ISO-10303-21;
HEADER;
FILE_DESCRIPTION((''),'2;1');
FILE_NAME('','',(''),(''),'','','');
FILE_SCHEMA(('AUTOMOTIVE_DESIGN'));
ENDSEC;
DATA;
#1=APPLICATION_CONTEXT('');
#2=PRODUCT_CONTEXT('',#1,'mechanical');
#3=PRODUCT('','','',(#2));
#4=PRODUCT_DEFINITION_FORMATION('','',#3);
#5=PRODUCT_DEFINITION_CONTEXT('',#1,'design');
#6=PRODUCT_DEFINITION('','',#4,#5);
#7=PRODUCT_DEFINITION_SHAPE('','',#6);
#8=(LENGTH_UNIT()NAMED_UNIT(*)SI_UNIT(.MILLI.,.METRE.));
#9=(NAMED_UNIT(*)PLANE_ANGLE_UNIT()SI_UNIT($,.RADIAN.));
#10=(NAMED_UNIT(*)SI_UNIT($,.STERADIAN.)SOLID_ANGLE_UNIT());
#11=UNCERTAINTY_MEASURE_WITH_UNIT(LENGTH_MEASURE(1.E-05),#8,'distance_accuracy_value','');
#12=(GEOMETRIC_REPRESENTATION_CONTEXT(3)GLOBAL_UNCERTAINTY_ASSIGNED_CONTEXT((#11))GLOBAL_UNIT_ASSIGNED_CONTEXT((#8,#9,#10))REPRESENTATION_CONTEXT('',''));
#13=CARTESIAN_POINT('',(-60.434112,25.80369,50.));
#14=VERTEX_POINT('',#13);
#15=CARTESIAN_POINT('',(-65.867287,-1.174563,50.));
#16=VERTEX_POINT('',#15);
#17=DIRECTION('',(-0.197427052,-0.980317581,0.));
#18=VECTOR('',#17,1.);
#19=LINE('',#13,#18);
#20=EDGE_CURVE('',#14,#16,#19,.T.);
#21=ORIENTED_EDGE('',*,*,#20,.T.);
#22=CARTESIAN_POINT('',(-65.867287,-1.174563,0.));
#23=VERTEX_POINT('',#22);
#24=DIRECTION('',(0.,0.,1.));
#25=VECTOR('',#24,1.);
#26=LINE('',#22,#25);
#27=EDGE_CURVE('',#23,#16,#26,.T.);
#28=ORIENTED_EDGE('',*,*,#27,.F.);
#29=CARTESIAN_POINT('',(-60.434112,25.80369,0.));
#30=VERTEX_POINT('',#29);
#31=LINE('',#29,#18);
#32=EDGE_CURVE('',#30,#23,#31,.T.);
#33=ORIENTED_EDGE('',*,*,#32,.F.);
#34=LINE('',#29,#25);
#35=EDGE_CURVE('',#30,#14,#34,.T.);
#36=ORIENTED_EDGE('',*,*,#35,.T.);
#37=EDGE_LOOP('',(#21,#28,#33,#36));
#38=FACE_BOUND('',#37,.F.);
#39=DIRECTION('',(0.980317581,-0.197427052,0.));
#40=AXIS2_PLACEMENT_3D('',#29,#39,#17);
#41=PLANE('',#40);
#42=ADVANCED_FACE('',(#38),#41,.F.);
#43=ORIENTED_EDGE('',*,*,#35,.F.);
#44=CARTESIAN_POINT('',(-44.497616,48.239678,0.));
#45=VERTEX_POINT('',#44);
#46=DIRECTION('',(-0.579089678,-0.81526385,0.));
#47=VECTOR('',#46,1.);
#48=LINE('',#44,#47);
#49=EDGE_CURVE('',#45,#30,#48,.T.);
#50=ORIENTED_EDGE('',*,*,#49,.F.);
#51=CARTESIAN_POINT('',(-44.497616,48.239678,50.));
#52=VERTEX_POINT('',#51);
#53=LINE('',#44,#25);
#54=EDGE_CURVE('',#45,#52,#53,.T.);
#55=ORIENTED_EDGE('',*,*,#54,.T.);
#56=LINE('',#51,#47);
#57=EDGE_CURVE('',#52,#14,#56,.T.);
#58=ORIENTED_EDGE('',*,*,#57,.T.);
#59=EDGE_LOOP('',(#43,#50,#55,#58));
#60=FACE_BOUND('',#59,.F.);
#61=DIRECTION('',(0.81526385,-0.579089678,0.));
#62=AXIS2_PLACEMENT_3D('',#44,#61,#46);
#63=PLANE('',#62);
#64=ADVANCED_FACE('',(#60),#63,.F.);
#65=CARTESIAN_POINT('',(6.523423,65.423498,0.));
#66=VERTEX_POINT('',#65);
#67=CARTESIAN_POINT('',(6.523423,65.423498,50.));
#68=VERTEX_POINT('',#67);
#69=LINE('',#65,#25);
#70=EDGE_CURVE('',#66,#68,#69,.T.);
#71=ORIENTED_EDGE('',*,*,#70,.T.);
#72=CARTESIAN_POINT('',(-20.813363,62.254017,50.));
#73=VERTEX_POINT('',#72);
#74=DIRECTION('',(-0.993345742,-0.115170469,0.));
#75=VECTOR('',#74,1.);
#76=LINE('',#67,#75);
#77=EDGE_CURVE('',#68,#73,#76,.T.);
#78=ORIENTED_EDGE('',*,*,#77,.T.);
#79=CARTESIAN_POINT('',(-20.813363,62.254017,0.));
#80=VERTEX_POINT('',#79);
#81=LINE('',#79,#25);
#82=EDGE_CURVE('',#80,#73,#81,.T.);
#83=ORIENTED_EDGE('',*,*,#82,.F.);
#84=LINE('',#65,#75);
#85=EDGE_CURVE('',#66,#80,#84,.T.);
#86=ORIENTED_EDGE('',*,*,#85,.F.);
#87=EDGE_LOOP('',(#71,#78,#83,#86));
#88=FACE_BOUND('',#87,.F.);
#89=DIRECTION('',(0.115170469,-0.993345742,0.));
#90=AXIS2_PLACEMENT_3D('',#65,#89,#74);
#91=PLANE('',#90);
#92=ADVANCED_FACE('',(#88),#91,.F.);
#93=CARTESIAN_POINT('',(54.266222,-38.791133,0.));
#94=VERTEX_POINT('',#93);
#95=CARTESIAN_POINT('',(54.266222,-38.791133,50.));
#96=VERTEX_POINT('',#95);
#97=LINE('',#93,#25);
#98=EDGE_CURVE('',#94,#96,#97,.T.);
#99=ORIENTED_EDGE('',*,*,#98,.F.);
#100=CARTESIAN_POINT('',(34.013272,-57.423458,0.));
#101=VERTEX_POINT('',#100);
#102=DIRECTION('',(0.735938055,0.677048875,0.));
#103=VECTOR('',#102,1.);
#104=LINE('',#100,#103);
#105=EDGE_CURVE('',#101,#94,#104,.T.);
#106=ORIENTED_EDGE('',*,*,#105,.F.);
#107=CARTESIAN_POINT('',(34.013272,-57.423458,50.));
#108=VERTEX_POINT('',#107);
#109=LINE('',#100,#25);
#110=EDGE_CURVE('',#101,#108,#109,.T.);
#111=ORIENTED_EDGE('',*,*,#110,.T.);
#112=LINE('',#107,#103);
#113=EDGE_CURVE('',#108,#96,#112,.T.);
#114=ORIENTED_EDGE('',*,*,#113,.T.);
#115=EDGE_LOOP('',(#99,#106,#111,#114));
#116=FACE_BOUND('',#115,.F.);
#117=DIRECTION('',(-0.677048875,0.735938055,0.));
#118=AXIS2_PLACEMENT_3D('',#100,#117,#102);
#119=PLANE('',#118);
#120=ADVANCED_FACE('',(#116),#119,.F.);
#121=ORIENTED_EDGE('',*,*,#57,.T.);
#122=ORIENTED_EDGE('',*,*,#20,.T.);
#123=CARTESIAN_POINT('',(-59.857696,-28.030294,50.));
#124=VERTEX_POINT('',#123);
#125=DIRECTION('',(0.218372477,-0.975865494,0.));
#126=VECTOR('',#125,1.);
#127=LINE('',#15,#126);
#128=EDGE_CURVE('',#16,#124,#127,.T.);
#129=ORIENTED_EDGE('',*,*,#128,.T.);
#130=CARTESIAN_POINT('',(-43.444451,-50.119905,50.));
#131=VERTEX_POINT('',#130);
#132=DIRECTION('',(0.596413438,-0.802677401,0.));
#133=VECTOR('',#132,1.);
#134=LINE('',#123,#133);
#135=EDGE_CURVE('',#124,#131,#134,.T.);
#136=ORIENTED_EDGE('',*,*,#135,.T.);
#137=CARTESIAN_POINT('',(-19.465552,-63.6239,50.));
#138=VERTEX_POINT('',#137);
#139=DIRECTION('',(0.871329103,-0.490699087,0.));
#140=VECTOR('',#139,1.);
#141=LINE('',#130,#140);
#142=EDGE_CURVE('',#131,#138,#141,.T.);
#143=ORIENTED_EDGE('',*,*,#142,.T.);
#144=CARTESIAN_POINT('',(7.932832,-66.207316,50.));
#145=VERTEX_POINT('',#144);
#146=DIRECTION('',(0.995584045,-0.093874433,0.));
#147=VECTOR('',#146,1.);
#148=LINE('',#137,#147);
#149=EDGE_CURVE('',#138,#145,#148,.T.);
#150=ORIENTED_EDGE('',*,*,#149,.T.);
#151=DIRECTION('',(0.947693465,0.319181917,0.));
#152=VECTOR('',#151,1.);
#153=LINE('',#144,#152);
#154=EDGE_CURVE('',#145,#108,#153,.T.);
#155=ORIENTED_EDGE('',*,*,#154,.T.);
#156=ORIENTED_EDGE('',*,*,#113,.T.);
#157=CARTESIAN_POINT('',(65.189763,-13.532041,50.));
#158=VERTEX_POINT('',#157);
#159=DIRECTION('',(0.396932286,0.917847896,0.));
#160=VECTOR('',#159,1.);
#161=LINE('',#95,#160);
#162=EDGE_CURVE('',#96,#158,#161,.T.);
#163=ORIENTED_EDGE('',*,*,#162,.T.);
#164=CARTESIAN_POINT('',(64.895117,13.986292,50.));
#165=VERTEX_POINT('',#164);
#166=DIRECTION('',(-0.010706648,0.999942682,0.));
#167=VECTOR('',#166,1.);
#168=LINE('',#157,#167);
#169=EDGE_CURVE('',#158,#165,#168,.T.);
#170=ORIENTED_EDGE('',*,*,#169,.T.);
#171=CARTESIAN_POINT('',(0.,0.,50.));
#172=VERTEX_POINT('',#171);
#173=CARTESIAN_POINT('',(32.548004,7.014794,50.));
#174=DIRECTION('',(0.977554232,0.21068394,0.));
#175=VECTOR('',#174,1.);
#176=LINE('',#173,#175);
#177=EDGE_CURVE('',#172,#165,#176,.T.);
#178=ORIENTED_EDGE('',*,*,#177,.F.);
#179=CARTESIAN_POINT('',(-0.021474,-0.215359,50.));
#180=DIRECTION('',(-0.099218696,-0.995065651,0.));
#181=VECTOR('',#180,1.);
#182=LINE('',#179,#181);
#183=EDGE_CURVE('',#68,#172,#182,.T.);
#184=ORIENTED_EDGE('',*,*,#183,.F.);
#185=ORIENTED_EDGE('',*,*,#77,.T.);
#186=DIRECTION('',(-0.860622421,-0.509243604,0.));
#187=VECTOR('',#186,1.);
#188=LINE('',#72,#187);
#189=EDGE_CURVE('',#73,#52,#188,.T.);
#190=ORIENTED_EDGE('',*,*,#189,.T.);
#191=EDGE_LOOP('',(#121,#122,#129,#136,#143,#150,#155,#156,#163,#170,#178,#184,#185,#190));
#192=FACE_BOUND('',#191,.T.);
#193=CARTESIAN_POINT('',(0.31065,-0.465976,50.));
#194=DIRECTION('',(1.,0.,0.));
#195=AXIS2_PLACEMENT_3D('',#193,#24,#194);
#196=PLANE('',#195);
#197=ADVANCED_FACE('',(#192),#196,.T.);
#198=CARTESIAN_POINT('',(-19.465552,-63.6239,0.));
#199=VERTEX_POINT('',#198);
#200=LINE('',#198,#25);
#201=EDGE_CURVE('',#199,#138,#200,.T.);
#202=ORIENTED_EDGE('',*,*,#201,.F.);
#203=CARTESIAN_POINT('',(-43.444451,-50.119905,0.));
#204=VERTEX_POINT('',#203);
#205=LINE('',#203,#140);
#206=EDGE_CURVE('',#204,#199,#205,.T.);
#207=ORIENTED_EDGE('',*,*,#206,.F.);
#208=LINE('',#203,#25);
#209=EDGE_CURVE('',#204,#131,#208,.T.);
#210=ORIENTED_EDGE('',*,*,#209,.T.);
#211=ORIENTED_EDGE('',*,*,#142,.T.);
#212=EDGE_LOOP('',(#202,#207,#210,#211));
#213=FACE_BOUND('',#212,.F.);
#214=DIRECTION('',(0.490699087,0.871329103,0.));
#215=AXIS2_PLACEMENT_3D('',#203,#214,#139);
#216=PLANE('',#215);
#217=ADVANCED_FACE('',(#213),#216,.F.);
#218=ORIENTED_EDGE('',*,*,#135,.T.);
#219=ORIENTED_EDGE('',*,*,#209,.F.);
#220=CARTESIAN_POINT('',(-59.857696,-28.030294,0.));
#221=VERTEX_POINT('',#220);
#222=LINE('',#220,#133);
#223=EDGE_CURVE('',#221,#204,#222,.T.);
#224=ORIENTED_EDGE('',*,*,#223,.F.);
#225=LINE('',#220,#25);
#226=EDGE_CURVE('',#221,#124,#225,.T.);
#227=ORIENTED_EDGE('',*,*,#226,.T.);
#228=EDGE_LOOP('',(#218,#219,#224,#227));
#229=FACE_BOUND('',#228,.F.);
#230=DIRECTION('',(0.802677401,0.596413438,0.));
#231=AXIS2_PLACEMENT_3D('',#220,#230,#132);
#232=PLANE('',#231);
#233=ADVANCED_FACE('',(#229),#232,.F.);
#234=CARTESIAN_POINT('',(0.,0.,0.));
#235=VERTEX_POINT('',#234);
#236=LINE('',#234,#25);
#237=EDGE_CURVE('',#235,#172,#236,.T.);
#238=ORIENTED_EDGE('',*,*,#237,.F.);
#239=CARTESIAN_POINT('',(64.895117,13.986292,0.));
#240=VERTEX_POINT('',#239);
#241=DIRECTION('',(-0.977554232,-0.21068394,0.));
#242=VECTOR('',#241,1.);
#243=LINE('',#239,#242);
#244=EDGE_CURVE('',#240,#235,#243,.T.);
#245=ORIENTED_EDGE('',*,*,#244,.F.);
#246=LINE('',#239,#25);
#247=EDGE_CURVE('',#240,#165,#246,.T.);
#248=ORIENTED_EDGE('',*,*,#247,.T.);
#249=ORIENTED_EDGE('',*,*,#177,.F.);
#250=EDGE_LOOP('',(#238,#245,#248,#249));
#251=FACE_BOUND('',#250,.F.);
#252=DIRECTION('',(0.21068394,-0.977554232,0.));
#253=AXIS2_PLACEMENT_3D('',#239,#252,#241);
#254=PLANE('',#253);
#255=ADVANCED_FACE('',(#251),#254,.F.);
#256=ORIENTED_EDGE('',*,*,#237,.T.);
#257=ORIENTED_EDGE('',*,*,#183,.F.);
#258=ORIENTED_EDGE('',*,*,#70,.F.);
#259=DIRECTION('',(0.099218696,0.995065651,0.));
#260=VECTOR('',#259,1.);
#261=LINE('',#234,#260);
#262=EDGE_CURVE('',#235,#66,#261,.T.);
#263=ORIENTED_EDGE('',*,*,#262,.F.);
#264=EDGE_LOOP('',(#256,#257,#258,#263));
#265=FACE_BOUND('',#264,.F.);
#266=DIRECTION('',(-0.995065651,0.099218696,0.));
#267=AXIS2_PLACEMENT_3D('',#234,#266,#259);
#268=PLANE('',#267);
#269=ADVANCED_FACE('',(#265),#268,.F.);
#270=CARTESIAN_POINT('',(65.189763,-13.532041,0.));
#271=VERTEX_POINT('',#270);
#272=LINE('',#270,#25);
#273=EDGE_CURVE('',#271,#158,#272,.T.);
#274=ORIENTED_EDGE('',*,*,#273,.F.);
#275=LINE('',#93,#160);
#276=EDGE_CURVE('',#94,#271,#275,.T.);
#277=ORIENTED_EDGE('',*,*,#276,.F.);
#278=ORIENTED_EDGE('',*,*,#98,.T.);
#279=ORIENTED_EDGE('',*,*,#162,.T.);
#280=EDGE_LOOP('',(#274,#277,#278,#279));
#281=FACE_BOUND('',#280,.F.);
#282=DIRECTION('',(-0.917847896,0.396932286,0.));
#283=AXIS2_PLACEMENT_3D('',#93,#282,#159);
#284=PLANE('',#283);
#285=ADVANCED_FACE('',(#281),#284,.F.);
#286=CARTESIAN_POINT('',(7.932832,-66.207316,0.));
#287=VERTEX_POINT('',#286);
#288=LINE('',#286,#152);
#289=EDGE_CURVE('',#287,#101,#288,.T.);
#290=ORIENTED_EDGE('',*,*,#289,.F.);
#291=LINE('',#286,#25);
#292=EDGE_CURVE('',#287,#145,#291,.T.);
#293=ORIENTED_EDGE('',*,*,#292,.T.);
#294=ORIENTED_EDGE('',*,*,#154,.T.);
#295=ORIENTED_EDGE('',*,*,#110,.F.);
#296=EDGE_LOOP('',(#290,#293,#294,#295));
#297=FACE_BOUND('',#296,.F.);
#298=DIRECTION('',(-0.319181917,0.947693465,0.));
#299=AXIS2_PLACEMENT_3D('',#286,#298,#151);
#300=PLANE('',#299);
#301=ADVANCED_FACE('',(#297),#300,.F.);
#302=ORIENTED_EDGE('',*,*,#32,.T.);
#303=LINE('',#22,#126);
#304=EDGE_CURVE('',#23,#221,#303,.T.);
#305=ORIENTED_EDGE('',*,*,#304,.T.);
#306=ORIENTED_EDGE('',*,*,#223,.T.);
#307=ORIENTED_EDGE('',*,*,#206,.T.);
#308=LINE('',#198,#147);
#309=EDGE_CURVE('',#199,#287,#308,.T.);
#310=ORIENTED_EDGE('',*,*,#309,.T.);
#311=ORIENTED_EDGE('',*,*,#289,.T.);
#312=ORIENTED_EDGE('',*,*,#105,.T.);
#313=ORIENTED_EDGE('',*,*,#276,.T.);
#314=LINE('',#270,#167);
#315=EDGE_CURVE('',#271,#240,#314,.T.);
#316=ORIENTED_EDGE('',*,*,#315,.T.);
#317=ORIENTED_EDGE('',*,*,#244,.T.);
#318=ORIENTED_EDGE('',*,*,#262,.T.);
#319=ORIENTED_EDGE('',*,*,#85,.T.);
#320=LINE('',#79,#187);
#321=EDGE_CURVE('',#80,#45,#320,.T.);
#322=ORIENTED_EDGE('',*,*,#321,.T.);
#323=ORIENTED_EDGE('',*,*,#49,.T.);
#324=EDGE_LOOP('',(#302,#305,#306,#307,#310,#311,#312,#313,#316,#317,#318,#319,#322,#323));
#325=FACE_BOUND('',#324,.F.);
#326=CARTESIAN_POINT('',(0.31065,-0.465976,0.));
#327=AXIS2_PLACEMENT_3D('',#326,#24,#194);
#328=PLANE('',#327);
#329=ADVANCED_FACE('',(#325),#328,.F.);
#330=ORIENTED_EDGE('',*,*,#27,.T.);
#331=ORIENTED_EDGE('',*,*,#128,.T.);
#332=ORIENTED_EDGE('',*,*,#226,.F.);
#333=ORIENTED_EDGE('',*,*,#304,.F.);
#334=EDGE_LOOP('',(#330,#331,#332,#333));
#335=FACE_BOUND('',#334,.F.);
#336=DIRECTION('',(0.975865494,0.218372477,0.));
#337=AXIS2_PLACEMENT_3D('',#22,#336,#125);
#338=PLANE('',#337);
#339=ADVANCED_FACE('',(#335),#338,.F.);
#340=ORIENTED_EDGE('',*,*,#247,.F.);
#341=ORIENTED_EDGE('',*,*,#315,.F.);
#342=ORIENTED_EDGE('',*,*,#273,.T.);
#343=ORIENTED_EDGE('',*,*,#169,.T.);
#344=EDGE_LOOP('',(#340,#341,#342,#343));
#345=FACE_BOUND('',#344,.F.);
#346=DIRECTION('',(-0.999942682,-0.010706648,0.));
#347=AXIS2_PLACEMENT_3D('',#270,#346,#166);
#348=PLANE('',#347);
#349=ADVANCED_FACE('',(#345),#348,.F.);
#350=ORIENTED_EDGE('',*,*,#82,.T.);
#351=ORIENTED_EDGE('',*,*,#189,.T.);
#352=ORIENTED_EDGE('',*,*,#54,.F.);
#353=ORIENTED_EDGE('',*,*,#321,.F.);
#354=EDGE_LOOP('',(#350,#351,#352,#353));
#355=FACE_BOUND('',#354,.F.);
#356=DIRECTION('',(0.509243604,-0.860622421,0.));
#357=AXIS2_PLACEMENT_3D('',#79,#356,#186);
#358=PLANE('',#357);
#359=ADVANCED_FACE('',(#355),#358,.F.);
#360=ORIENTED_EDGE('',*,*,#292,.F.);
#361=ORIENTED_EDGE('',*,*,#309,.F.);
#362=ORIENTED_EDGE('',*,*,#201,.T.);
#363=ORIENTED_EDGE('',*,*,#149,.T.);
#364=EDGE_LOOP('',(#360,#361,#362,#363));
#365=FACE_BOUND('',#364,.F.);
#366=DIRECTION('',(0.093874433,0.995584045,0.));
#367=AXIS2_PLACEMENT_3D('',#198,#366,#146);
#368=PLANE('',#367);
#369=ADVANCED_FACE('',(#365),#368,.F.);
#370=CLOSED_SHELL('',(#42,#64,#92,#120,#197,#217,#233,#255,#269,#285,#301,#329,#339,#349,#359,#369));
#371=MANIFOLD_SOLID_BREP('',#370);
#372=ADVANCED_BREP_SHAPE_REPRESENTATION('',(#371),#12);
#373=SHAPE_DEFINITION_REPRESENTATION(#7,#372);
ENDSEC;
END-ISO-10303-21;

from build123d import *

# Parameters (mm, degrees)
F1_DEPTH = 50
F3_DEPTH = 55


with BuildPart() as f1:
    # F0 (on Top) → F1 (new body)
    with BuildSketch(Plane.XY):
        Polygon((6.523423, 65.423498), (-20.813363, 62.254017), (-44.497616, 48.239678), (-60.434112, 25.80369), (-65.867287, -1.174563), (-59.857696, -28.030294), (-43.444451, -50.119905), (-19.465552, -63.6239), (7.932832, -66.207316), (34.013272, -57.423458), (54.266222, -38.791133), (65.189763, -13.532041), (64.895117, 13.986292), (53.433229, 39.005697), (32.785965, 57.200091), align=None)
    extrude(amount=F1_DEPTH)

    # F2 (on face) → F3 (cut)
    with BuildSketch(Plane(origin=(0, 0, 0), x_dir=(1, 0, 0), z_dir=(0, 0, -1))):
        Polygon((64.895117, -13.986292), (0, 0), (6.523423, -65.423498), (32.785965, -57.200091), (53.433229, -39.005697), align=None)
    extrude(amount=-F3_DEPTH, mode=Mode.SUBTRACT)


solid = f1.part
